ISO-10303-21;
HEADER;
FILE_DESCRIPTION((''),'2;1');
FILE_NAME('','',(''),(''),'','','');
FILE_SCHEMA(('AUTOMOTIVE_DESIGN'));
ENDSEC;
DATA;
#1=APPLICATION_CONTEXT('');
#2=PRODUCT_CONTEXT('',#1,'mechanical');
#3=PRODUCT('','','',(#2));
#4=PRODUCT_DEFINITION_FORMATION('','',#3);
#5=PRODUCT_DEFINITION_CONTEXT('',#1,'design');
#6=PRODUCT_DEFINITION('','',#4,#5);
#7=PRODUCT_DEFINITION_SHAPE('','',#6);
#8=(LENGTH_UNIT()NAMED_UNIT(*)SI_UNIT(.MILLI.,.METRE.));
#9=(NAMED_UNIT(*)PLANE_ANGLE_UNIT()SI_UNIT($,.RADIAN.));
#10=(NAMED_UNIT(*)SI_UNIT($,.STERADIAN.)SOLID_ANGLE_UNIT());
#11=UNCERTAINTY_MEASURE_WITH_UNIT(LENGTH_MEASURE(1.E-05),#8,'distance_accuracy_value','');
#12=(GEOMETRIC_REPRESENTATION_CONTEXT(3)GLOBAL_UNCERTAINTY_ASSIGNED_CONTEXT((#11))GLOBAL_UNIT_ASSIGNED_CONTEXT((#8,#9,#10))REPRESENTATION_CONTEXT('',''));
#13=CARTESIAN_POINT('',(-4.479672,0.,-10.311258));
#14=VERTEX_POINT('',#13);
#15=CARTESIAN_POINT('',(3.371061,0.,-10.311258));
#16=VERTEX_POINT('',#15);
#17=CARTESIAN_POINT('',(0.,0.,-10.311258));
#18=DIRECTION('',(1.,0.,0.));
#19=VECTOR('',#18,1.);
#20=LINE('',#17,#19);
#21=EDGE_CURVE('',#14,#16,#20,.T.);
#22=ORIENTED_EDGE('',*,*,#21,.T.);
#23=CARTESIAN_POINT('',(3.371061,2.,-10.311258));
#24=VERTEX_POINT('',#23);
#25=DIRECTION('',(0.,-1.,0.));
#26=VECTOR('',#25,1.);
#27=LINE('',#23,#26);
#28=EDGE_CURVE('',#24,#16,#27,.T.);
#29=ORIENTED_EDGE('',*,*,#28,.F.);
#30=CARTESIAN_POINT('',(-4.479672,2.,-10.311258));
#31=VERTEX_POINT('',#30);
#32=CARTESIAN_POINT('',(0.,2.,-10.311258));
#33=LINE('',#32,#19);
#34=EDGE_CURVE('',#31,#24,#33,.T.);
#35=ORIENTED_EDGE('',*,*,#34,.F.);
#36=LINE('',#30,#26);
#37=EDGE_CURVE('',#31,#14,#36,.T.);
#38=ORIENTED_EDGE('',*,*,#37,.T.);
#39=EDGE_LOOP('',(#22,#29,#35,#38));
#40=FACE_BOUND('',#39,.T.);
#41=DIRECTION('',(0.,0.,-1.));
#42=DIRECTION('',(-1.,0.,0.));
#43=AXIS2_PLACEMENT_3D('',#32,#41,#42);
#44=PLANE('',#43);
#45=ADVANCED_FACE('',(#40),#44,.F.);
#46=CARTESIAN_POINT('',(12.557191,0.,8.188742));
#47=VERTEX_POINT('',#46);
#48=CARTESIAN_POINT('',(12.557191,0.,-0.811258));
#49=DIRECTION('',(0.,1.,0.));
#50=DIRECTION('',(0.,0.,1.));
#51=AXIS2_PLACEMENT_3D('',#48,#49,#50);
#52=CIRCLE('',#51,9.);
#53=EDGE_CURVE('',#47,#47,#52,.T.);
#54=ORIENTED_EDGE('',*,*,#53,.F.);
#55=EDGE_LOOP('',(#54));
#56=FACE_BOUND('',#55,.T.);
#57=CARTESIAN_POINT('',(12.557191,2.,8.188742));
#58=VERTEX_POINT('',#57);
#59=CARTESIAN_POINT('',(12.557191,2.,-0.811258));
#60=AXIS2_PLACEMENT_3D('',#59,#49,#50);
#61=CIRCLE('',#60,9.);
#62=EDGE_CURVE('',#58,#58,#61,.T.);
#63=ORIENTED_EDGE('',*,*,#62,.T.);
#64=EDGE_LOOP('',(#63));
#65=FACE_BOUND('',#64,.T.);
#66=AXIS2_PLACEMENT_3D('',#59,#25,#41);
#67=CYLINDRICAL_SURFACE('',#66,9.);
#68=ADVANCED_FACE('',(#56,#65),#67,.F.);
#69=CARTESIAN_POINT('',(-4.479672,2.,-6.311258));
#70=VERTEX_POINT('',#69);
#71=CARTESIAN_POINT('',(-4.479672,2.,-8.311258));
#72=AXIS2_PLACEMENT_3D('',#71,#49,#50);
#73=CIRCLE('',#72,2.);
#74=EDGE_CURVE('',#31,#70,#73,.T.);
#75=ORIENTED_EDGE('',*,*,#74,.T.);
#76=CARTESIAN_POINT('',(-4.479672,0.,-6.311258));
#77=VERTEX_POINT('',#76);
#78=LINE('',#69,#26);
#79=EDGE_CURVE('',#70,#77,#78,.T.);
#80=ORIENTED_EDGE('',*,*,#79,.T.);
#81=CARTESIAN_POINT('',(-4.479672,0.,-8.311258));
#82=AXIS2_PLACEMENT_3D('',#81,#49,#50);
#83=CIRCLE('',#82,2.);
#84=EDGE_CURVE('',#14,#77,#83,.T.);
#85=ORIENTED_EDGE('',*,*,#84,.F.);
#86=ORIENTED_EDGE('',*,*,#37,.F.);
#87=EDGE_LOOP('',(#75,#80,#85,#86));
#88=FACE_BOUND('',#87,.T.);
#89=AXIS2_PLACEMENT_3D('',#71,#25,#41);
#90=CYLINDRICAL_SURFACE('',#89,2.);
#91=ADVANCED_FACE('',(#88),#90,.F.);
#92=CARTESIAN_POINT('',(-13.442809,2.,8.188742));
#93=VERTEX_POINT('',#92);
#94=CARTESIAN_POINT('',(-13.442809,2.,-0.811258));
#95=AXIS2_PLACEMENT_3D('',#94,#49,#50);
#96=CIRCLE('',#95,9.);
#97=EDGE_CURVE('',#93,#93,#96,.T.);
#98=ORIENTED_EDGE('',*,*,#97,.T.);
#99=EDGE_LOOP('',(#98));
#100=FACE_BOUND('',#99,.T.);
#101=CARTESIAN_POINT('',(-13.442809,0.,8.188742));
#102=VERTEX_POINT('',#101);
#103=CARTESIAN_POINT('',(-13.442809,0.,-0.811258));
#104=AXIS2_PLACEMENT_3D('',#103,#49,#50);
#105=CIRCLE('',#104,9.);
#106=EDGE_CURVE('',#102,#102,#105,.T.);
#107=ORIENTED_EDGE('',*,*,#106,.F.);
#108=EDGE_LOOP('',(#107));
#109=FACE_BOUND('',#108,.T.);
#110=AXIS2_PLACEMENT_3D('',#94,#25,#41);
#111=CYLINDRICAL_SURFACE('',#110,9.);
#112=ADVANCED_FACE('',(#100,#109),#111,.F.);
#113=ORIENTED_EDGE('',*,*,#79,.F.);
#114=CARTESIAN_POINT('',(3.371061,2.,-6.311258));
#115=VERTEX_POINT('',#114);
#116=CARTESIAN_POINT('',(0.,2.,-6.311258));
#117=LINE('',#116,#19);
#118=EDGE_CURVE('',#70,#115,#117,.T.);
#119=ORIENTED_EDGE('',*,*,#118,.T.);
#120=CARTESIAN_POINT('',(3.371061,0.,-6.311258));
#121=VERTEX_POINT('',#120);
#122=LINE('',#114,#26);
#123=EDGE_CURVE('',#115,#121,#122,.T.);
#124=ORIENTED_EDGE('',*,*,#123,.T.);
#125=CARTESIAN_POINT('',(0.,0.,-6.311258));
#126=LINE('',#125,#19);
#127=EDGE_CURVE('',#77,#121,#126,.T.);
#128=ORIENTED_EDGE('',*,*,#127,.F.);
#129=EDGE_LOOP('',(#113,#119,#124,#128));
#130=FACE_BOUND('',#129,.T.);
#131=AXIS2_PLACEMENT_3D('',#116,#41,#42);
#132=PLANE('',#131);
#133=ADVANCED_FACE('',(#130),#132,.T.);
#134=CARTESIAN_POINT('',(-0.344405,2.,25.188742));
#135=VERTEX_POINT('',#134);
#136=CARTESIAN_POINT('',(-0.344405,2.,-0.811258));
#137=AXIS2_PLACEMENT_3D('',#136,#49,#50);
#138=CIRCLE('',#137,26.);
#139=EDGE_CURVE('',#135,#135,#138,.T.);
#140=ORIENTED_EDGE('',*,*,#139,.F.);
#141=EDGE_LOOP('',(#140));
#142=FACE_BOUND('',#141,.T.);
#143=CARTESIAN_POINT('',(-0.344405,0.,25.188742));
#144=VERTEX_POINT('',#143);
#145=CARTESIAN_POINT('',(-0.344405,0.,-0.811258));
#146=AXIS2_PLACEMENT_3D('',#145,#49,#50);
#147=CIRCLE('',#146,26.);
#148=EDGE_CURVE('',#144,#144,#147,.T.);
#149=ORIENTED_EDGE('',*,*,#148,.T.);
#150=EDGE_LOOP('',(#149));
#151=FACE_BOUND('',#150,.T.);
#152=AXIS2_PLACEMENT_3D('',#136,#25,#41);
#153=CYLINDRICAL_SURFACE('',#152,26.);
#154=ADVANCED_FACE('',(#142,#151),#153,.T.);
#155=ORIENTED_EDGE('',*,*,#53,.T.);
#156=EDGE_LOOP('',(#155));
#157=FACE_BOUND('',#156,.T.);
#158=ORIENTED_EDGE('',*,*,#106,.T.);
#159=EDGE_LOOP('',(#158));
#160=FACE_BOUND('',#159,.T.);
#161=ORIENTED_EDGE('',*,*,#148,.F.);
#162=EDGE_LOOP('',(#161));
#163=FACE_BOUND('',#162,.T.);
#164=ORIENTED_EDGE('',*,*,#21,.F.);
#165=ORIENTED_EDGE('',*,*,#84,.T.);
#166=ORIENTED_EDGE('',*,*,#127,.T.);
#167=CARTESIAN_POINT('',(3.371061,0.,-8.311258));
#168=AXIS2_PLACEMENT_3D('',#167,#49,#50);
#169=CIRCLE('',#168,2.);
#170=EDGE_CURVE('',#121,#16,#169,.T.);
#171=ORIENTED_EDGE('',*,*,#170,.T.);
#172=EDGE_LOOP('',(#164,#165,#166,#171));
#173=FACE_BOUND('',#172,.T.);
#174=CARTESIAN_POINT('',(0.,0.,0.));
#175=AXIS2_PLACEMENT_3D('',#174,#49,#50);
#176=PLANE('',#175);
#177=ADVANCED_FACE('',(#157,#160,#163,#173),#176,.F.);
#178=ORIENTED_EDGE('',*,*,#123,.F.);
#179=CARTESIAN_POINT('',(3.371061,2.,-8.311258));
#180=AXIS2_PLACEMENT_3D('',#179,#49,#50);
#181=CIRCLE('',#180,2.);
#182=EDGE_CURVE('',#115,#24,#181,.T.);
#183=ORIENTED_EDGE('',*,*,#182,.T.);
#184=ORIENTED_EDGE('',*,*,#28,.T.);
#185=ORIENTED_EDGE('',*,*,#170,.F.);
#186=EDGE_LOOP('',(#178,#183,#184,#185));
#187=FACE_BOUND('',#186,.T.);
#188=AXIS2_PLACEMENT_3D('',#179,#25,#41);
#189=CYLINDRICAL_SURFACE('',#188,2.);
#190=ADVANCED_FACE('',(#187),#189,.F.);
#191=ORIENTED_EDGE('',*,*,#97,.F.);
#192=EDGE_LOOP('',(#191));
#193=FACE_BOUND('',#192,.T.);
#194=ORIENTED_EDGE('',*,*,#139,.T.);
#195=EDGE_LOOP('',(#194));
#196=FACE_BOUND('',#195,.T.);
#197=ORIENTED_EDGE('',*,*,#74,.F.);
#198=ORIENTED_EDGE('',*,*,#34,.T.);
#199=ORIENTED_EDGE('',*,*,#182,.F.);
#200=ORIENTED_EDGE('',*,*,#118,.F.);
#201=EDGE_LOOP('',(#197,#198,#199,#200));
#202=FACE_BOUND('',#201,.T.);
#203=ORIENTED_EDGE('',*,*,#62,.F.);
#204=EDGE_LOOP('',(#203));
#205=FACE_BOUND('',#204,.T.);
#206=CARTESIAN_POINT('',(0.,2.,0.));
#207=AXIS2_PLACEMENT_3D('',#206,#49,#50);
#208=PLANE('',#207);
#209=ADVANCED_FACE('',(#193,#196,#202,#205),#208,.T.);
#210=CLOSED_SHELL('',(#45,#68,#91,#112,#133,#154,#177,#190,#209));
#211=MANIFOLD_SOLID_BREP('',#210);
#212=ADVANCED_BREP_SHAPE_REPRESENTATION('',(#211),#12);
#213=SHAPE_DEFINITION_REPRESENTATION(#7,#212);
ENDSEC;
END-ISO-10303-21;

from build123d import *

# Parameters (mm, degrees)
SKETCH1_R           = 26
SKETCH1_R_2         = 9
BOSS_EXTRUDE1_DEPTH = 2


with BuildPart() as part:
    # Sketch1 → Boss-Extrude1 (new body)
    with BuildSketch(Plane(origin=(0, 0, 0), x_dir=(1, 0, 0), z_dir=(0, 1, 0))):
        with Locations(Location((-0.344405321, 0.81125846, 0), (0, 0, 270))):
            Circle(SKETCH1_R)
        with Locations(Location((12.557190609, 0.81125846, 0), (0, 0, 270))):
            Circle(SKETCH1_R_2, mode=Mode.SUBTRACT)
        with Locations(Location((-13.442809391, 0.81125846, 0), (0, 0, 270))):
            Circle(SKETCH1_R_2, mode=Mode.SUBTRACT)
        with BuildLine():
            Line((-4.479671933, 10.31125846), (3.371060839, 10.31125846))
            ThreePointArc((3.371060839, 10.31125846), (5.371060839, 8.31125846), (3.371060839, 6.31125846))
            Line((3.371060839, 6.31125846), (-4.479671933, 6.31125846))
            ThreePointArc((-4.479671933, 6.31125846), (-6.479671933, 8.31125846), (-4.479671933, 10.31125846))
        make_face(mode=Mode.SUBTRACT)
    extrude(amount=BOSS_EXTRUDE1_DEPTH)


solid = part.part
